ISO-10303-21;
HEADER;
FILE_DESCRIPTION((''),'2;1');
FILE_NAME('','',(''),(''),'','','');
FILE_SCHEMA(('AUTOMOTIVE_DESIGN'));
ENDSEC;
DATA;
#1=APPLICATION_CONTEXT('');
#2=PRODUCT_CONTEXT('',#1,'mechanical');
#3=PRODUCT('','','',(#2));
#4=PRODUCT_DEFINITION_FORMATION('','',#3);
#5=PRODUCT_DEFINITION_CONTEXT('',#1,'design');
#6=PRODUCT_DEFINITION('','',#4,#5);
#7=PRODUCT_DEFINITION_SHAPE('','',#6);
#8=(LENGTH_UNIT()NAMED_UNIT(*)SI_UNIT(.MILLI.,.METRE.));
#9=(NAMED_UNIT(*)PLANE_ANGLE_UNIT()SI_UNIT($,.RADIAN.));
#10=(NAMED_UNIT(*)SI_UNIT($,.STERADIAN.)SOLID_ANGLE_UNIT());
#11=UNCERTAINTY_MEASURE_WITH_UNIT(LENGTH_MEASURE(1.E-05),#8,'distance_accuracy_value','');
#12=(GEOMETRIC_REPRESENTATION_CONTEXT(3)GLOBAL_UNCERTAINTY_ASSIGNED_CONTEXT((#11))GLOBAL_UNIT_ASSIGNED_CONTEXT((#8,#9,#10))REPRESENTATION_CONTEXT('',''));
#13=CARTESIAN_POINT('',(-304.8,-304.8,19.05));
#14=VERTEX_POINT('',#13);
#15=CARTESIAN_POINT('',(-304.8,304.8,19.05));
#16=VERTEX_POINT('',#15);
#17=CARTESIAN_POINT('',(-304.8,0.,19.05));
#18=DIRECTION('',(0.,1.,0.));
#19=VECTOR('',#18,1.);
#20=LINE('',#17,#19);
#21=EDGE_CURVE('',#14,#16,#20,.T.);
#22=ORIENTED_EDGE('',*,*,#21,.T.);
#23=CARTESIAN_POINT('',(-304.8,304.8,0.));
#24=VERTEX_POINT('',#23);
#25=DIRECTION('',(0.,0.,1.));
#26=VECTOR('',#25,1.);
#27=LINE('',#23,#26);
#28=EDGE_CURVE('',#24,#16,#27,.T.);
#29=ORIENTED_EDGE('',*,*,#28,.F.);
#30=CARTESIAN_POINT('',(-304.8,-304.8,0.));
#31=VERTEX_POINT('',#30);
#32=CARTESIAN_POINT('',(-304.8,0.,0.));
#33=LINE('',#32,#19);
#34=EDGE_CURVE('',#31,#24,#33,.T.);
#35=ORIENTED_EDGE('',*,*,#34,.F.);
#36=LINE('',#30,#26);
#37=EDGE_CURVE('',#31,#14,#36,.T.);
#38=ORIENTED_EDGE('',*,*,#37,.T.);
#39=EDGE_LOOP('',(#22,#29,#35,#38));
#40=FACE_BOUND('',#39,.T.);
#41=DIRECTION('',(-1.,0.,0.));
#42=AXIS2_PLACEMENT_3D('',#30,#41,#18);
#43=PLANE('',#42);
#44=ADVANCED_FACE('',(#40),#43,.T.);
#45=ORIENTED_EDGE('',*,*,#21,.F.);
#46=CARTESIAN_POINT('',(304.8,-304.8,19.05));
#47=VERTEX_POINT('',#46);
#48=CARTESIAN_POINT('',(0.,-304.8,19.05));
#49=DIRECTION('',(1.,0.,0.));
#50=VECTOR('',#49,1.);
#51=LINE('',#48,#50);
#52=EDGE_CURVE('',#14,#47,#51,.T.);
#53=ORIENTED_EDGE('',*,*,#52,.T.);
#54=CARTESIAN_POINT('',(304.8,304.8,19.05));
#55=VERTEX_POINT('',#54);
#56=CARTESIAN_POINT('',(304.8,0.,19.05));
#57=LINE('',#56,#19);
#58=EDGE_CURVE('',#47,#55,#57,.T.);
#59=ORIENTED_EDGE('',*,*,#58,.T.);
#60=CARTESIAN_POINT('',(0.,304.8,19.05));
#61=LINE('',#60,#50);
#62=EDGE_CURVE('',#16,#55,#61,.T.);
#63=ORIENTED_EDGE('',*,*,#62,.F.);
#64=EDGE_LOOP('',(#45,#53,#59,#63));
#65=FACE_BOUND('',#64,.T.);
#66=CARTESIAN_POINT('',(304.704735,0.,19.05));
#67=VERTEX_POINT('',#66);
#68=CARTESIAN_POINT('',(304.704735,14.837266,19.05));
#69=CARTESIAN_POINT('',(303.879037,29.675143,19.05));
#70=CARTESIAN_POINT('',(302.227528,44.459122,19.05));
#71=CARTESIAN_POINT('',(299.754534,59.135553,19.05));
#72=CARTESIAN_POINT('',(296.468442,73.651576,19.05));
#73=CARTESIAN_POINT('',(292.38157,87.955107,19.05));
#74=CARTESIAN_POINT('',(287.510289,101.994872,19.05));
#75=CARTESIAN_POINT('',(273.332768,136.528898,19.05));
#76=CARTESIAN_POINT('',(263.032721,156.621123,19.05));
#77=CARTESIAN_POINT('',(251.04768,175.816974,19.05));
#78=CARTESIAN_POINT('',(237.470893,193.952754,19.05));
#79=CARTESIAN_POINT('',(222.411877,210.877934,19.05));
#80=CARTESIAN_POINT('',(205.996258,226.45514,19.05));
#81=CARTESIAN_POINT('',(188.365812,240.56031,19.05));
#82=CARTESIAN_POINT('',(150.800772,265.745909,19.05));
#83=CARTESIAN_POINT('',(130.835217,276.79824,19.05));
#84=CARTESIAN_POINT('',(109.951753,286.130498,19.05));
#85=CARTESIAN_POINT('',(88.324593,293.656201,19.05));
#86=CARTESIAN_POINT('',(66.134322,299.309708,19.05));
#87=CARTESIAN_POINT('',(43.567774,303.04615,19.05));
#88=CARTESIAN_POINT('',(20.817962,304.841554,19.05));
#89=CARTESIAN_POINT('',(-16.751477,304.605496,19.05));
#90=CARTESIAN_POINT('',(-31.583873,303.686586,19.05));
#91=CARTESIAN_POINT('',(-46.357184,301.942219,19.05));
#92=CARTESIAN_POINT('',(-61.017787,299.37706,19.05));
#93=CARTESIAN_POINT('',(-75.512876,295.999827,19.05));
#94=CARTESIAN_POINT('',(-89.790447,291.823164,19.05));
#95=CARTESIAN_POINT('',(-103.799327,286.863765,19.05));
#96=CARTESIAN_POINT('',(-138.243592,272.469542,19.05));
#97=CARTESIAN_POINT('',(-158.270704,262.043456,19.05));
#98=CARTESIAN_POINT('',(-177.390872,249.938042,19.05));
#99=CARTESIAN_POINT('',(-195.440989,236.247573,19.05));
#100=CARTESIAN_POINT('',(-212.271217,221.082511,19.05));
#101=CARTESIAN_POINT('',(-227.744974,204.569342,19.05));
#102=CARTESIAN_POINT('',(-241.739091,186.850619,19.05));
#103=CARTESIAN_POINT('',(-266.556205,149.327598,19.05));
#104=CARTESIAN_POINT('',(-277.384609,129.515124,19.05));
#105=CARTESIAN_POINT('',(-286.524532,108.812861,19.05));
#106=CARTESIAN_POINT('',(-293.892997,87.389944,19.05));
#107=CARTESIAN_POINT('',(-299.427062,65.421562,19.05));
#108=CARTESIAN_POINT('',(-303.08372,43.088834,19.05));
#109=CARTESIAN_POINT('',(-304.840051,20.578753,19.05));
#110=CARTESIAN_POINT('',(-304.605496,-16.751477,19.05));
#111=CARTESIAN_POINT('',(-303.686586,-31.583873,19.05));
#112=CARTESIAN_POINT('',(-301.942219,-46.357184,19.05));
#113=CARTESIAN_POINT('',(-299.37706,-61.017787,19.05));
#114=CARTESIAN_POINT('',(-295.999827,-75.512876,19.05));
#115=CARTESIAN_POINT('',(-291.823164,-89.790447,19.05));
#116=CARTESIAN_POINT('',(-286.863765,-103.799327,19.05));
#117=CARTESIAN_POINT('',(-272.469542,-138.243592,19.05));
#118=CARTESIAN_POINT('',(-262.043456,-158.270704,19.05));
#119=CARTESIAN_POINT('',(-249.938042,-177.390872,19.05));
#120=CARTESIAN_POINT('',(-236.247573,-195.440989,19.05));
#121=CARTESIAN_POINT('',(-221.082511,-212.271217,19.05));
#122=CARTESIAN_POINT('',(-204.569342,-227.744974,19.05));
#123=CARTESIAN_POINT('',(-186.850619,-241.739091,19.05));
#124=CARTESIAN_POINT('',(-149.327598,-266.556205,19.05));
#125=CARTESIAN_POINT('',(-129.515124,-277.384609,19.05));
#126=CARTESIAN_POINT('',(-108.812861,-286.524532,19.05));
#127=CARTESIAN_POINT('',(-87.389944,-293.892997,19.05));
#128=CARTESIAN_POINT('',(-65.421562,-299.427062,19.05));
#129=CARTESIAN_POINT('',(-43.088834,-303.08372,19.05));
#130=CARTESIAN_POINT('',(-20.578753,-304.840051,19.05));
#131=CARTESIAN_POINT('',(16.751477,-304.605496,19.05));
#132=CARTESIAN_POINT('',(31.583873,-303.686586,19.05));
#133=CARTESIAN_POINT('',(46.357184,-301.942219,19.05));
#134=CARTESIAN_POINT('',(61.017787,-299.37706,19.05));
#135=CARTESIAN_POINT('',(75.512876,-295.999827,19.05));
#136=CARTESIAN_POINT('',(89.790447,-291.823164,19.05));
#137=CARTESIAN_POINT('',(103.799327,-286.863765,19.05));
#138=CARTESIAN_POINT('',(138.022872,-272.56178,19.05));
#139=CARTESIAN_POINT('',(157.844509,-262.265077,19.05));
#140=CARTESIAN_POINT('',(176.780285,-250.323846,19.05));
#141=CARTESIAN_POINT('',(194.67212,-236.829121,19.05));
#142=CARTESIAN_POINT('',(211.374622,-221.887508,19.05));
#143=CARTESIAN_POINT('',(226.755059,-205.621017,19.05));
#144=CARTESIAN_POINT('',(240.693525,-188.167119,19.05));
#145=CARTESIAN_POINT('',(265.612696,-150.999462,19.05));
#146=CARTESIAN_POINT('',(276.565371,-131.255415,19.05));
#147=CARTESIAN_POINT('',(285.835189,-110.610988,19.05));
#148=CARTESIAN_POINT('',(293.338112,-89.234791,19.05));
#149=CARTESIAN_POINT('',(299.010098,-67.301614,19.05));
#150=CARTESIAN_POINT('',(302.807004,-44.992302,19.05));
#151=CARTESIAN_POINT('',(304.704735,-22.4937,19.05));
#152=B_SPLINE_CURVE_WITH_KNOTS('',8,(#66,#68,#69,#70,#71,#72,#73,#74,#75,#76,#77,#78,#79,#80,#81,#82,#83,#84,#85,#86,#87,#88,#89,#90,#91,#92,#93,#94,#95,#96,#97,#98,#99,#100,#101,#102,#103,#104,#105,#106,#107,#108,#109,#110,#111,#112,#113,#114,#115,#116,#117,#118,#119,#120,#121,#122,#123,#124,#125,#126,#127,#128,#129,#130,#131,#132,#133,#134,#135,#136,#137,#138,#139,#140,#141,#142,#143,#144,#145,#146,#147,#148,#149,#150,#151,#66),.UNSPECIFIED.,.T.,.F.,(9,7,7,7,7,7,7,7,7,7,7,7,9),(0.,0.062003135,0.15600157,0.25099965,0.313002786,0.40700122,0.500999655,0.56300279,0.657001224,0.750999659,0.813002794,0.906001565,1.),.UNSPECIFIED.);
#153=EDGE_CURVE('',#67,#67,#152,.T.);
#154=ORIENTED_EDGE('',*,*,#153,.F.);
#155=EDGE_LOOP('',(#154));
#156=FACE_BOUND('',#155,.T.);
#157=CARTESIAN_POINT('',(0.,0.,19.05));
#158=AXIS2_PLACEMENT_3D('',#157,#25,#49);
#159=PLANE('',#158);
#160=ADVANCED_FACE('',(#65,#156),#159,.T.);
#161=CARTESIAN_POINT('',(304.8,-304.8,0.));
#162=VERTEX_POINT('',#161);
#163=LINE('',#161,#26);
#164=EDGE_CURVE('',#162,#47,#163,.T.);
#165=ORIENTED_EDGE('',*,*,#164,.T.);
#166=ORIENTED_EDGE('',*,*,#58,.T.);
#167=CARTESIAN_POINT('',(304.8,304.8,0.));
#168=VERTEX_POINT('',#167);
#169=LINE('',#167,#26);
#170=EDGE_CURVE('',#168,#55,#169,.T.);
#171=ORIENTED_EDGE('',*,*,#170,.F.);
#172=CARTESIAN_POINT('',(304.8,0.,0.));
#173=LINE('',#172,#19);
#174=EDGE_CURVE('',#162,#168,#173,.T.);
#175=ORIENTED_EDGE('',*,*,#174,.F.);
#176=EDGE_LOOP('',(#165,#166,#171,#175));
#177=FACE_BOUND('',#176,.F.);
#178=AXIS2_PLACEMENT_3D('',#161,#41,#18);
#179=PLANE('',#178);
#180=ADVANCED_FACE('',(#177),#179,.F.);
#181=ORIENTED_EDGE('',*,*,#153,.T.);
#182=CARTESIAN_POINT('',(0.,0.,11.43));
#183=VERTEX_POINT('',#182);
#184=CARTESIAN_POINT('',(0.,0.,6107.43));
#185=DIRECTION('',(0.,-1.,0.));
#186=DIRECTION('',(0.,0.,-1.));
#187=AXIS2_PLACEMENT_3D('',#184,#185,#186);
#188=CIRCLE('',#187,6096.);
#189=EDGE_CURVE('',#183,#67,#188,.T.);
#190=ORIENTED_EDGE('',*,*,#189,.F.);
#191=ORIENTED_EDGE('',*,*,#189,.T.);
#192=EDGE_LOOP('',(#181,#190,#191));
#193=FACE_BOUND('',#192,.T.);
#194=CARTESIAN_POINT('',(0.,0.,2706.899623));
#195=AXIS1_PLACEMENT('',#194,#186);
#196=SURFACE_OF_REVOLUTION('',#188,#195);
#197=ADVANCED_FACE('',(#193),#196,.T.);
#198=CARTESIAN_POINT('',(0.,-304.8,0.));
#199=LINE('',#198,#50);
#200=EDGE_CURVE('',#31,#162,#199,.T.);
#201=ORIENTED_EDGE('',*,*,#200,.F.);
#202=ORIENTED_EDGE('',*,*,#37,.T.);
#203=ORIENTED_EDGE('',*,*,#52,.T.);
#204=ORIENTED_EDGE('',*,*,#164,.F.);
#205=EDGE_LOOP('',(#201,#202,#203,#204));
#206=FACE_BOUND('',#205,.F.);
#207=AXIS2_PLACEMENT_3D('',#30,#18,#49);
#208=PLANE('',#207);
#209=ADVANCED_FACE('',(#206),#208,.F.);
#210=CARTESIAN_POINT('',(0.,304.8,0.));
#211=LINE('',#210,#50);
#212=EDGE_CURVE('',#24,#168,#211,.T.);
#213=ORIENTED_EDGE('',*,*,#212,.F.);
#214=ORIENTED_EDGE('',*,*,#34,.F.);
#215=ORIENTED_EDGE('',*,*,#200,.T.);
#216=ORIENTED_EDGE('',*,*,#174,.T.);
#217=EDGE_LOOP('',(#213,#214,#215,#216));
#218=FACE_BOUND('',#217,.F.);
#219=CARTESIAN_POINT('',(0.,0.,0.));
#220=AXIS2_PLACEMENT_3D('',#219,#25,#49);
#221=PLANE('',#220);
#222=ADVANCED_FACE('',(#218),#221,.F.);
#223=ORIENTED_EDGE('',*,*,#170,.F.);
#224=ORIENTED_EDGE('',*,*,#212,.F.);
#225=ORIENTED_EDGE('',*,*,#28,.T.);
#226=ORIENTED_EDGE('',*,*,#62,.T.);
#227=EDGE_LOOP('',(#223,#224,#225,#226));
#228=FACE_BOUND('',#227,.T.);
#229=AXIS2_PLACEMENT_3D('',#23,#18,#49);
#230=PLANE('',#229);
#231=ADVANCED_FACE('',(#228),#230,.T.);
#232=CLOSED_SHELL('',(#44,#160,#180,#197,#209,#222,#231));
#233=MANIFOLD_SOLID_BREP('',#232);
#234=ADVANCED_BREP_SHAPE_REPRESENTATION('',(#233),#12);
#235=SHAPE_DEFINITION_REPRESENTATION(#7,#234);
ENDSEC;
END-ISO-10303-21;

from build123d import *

# Parameters (mm, degrees)
F0_W     = 609.6
F0_H     = 609.6
F1_DEPTH = 19.05


with BuildPart() as f1:
    # F0 (on Top) → F1 (new body)
    with BuildSketch(Plane.XY):
        Rectangle(F0_W, F0_H)
    extrude(amount=F1_DEPTH)

    # F2 (on Front) → F3 (revolve, cut)
    with BuildSketch(Plane.XZ):
        with BuildLine():
            Line((0, 6107.43), (0, 11.43))
            ThreePointArc((0, 11.43), (4310.522938, 1796.907062), (6096, 6107.43))
            Line((6096, 6107.43), (0, 6107.43))
        make_face()
    revolve(axis=Axis((0, 0, 2706.899623), (0, 0, -1)), mode=Mode.SUBTRACT)


solid = f1.part
